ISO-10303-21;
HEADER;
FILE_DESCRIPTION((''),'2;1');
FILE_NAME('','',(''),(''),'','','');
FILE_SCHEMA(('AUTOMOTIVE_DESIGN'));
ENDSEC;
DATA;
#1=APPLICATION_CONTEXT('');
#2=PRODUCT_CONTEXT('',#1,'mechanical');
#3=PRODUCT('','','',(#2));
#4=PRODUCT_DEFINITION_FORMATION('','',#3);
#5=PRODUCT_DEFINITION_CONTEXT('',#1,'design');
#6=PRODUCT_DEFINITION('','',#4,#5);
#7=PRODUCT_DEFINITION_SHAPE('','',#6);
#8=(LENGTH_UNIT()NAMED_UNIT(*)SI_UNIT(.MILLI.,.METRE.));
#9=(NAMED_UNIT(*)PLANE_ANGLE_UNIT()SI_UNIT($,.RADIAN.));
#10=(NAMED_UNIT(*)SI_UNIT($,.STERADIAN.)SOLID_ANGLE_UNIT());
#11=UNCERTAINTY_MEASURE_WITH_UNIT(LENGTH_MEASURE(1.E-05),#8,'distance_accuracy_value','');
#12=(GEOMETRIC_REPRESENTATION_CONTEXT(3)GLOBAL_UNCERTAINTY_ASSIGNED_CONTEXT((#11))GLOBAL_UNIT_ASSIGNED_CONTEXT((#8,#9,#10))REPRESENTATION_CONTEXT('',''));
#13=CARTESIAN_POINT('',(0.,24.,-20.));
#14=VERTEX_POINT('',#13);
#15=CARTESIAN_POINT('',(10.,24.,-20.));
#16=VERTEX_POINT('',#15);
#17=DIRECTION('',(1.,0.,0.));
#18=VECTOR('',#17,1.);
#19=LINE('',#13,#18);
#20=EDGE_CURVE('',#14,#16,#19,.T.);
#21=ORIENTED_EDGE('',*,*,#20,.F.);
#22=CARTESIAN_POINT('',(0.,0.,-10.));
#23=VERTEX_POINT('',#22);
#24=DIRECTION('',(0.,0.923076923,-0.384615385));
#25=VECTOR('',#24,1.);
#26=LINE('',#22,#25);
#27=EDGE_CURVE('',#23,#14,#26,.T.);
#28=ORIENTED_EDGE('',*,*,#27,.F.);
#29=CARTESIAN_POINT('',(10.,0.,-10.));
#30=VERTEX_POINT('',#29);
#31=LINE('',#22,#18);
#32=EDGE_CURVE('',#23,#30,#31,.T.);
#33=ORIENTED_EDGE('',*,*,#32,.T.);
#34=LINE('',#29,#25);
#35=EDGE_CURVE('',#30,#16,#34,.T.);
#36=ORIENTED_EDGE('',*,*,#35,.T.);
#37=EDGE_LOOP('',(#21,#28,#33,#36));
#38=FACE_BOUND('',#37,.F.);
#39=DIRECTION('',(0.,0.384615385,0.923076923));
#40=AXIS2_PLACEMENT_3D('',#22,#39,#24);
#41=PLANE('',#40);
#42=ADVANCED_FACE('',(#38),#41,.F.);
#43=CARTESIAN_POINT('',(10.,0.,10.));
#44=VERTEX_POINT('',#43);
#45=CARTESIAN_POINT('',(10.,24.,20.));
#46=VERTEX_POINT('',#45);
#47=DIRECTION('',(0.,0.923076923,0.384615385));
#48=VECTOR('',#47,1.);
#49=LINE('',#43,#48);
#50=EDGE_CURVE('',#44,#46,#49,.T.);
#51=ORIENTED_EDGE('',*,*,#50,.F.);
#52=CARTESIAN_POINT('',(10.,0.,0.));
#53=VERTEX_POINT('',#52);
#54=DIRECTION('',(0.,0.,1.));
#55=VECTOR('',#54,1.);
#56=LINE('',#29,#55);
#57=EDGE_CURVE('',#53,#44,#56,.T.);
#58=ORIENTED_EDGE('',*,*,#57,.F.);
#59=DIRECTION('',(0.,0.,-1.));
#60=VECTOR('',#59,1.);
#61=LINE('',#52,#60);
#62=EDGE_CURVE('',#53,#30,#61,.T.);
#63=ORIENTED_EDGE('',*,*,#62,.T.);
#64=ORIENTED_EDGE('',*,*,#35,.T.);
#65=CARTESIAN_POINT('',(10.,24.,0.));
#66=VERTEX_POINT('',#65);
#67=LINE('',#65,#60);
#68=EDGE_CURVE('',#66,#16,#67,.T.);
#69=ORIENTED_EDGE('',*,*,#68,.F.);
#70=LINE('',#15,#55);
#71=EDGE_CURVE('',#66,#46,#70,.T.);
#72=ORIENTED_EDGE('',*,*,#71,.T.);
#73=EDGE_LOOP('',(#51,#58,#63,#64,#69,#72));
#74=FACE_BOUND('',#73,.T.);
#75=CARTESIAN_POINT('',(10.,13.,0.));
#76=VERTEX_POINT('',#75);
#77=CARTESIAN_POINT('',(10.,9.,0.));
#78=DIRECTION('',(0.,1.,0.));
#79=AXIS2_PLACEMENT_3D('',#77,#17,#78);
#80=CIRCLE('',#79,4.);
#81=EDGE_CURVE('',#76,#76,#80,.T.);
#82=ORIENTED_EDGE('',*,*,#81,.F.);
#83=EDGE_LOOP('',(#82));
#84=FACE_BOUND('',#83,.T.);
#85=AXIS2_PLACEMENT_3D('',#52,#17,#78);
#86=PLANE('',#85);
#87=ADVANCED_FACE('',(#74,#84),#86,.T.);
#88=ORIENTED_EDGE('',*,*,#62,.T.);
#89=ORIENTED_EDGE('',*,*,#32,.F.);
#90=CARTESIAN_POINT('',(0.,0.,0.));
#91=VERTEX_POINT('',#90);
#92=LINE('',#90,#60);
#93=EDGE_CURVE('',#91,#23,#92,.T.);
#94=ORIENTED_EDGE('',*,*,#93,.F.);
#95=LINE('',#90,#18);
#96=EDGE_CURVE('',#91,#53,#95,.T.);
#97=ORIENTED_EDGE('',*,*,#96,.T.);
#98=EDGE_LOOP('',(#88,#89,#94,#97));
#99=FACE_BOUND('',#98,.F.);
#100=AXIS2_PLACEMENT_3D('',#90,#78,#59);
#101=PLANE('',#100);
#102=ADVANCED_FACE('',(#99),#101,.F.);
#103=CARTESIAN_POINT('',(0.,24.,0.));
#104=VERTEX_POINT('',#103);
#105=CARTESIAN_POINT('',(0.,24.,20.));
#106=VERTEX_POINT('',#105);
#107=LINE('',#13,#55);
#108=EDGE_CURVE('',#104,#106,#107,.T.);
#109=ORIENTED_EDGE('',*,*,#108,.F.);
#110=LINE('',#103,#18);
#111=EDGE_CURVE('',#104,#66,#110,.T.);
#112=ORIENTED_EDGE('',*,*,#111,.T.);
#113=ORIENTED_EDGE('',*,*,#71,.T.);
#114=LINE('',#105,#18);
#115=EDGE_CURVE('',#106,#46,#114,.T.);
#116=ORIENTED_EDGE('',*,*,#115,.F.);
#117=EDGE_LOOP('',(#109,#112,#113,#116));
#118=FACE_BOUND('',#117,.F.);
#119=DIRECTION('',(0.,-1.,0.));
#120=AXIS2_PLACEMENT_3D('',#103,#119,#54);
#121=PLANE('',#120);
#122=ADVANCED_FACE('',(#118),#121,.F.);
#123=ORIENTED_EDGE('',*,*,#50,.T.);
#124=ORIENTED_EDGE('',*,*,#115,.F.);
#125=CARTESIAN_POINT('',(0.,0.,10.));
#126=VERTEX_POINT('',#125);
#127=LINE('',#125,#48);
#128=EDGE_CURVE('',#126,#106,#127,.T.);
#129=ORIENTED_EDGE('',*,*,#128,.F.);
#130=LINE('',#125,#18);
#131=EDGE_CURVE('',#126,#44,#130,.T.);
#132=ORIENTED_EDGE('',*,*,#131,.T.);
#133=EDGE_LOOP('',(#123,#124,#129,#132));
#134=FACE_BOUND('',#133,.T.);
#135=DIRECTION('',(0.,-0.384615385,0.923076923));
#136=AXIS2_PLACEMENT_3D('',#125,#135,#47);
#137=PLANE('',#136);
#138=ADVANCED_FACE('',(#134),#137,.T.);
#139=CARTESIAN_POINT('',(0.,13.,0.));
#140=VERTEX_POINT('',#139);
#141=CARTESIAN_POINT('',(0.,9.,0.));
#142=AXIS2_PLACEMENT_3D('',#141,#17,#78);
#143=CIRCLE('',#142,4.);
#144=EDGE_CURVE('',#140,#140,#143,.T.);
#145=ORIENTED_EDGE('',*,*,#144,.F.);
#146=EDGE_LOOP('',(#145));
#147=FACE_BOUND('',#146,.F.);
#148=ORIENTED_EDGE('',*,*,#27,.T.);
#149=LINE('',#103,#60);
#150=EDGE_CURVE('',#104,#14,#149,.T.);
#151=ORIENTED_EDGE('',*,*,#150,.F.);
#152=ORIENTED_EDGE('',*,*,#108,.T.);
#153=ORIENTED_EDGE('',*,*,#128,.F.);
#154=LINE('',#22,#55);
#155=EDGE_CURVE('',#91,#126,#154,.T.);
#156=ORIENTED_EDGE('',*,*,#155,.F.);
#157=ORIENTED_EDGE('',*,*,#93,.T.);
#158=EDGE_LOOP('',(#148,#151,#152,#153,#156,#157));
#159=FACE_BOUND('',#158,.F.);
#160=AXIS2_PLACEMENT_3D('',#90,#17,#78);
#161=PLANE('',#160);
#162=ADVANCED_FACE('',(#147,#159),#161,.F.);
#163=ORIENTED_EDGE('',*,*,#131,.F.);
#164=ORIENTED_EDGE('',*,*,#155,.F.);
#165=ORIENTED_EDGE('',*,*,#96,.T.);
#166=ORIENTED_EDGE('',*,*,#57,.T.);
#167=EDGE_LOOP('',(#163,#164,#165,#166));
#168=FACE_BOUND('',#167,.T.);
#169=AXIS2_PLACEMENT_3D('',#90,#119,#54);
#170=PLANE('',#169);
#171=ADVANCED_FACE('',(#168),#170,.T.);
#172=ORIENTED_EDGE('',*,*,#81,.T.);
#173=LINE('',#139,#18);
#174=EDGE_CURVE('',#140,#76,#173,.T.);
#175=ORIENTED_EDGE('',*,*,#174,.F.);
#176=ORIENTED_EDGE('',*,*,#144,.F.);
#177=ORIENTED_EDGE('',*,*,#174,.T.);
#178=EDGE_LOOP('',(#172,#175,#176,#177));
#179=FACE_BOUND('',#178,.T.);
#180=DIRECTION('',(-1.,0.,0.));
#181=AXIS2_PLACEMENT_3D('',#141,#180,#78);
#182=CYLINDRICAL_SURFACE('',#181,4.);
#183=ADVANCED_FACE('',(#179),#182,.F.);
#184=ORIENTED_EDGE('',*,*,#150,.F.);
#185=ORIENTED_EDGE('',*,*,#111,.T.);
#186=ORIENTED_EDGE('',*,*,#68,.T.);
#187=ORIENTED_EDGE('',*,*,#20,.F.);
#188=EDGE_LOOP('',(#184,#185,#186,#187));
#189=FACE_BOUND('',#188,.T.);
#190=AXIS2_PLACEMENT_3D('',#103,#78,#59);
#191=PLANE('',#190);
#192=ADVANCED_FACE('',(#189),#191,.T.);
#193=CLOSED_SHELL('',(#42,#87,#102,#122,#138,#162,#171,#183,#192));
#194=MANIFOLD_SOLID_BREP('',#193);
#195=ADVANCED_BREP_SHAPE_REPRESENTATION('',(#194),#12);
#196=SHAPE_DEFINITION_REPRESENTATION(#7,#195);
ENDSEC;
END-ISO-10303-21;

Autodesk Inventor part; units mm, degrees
ref_plane "YZ Plane" through (0, 0, 0) normal (1, 0, 0) x (0, 1, 0)
ref_plane "XZ Plane" through (0, 0, 0) normal (0, 1, 0) x (-1, 0, 0)
ref_plane "XY Plane" through (0, 0, 0) normal (0, 0, 1) x (1, 0, 0)
sketch "Эскиз1" plane through (0, 0, 0) normal (1, 0, 0) x (0, 1, 0)
  line L0 (0, 0) -> (0, -10)
  line L1 (0, -10) -> (0, 10)
  line L2 (24, 0) -> (24, -20)
  line L3 (24, -20) -> (24, 20)
  line L4 (0, 10) -> (24, 20)
  line L5 (0, -10) -> (24, -20)
  circle A0 centre (9, 0) radius 4
extrude "Выдавливание1" add sketch "Эскиз1" along normal blind 10
properties part number "task2"
